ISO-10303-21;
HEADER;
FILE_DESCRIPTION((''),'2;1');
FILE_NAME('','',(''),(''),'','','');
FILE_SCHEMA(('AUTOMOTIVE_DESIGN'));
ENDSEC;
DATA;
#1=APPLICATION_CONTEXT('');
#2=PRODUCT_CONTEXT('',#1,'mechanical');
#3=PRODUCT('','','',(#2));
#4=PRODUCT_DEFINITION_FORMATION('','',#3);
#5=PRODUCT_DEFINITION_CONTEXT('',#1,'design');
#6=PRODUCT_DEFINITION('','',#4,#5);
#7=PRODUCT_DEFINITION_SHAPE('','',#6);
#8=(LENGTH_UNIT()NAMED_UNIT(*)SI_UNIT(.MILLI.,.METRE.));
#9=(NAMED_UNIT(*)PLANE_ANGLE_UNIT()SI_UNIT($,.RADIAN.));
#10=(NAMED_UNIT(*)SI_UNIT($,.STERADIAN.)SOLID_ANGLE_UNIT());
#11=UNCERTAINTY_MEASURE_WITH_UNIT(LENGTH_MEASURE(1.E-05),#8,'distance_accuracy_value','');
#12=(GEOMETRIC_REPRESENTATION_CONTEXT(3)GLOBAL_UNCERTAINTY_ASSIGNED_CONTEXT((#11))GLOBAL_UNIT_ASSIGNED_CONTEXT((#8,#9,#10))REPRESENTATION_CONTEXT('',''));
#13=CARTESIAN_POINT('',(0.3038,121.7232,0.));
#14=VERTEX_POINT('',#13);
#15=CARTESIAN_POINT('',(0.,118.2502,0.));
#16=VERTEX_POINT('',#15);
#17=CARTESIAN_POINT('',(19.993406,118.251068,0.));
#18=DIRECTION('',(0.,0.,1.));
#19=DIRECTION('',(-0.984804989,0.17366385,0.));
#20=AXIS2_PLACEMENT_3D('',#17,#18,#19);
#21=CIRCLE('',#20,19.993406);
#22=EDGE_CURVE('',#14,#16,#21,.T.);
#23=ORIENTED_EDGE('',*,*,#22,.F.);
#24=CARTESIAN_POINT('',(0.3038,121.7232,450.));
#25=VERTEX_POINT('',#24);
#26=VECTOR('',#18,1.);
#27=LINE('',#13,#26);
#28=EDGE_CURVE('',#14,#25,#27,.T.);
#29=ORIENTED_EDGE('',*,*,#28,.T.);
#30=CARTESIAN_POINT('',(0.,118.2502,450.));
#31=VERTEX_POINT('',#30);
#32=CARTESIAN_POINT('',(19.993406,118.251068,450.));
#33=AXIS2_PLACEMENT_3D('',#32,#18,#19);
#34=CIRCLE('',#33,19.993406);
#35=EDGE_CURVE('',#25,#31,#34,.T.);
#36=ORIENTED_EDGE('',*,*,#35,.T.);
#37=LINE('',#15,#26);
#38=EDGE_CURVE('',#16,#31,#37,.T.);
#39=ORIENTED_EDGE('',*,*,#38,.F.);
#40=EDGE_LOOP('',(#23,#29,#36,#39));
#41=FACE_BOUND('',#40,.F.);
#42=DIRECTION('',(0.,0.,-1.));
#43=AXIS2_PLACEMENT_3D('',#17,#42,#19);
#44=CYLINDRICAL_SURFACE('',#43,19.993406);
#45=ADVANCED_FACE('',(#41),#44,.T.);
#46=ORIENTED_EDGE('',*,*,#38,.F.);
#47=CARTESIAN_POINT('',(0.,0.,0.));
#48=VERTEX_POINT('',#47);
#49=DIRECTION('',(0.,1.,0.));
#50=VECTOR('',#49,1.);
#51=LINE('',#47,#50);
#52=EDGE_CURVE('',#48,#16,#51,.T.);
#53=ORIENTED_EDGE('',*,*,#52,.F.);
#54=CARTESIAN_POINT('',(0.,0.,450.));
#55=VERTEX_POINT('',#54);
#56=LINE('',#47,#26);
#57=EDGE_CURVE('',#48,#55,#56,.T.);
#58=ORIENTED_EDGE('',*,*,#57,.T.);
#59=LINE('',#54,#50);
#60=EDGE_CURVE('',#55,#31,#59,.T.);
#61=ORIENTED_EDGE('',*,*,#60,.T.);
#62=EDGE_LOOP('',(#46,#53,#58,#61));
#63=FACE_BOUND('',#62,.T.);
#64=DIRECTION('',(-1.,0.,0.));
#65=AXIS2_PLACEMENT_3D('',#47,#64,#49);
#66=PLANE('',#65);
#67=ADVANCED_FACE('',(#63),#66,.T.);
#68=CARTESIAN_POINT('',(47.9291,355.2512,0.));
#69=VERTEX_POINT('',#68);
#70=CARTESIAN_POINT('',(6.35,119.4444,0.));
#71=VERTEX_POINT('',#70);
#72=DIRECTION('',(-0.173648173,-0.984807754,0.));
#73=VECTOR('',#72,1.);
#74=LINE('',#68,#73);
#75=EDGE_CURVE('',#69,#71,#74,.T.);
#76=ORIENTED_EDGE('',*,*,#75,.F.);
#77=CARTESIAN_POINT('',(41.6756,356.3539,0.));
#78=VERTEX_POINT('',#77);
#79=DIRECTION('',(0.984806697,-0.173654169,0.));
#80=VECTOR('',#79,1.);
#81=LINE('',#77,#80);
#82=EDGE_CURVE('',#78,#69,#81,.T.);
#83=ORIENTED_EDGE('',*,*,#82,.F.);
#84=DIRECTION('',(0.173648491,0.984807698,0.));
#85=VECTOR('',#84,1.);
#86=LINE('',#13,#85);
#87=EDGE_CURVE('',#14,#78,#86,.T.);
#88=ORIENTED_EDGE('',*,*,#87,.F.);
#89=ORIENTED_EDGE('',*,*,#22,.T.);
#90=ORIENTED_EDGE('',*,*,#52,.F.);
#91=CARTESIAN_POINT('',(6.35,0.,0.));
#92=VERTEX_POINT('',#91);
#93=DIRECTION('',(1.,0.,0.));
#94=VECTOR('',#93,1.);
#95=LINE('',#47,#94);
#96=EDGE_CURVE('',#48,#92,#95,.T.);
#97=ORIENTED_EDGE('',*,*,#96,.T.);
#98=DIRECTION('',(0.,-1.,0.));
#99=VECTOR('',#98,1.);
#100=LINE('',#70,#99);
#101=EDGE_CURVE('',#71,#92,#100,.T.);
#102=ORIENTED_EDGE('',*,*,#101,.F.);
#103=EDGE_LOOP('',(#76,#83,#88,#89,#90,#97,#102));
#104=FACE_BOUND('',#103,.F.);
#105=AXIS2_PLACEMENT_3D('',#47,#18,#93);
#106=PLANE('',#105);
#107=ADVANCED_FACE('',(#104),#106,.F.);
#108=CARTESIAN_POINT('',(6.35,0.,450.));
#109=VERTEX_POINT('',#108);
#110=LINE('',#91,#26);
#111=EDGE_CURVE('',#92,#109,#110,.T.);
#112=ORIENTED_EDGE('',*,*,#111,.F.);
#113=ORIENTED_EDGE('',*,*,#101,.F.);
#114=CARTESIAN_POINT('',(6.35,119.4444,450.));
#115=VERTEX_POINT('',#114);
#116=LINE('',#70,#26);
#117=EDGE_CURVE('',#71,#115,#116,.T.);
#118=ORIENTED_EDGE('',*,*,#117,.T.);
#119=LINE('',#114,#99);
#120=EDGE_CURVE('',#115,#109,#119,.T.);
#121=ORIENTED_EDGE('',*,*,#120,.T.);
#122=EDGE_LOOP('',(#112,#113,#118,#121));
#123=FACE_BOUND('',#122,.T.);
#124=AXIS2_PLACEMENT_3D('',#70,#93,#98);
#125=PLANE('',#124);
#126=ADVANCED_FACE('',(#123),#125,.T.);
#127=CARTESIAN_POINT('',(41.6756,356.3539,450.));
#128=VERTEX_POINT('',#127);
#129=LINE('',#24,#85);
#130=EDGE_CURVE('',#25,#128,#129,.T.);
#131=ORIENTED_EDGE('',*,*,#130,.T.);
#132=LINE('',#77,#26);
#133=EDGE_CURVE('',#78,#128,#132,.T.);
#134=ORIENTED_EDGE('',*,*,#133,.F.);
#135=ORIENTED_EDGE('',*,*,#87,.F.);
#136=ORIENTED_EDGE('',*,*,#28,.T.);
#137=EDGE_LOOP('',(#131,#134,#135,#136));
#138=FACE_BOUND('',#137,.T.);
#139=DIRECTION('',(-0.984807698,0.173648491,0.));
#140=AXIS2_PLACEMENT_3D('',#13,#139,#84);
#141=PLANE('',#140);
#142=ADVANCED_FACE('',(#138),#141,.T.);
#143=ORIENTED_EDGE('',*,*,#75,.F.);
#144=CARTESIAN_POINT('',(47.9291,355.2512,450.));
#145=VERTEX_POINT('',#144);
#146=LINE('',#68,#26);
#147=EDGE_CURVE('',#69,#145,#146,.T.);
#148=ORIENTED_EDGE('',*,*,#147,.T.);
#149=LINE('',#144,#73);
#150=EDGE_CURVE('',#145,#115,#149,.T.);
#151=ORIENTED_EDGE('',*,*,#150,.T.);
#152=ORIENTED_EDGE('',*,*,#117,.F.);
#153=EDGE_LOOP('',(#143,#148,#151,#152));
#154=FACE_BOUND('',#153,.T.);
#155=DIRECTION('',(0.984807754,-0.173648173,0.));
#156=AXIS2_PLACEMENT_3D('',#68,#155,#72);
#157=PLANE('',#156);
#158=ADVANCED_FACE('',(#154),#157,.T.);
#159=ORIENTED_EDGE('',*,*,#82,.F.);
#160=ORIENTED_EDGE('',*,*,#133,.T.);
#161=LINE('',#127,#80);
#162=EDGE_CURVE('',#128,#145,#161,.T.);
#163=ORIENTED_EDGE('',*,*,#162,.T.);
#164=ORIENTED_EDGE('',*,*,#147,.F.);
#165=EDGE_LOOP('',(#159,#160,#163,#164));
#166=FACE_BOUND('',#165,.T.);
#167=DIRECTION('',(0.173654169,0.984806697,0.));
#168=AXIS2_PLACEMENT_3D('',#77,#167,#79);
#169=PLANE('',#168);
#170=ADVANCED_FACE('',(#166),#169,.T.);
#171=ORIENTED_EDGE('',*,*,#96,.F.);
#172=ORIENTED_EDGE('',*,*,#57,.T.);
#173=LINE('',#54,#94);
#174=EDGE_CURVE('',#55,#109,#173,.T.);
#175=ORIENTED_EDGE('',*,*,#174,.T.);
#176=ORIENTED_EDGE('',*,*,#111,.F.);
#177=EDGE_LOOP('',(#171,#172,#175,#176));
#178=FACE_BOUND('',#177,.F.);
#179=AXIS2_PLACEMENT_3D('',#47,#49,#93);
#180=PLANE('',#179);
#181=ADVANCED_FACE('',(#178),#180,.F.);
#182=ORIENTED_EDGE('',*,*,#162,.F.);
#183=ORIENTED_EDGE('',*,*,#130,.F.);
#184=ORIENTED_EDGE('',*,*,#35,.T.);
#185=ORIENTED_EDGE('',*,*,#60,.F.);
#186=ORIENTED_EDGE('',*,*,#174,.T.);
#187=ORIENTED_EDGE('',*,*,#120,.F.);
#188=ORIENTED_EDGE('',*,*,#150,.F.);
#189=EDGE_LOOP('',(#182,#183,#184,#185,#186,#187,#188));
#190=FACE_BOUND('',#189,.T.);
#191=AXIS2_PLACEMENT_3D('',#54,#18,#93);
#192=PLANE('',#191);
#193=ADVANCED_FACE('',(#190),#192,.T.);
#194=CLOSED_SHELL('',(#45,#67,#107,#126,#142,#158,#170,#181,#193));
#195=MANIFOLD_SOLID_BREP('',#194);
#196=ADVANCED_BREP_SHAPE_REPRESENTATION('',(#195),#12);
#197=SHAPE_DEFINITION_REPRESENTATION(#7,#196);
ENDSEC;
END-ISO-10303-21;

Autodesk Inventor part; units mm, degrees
ref_plane "YZ Plane" through (0, 0, 0) normal (1, 0, 0) x (0, 1, 0)
ref_plane "XZ Plane" through (0, 0, 0) normal (0, 1, 0) x (-1, 0, 0)
ref_plane "XY Plane" through (0, 0, 0) normal (0, 0, 1) x (1, 0, 0)
sketch "Sketch1" plane through (0, 0, 0) normal (0, 0, 1) x (1, 0, 0)
  line L0 (0, 0) -> (0, 118.2502)
  line L1 (0.3038, 121.7232) -> (41.6756, 356.3539)
  arc A0 (0.3038, 121.7232) -> (0, 118.2502) centre (20, 118.2502) ccw
  line L2 (47.9291, 355.2512) -> (6.35, 119.4444)
  line L3 (6.35, 119.4444) -> (6.35, 0)
  line L4 (41.6756, 356.3539) -> (47.9291, 355.2512)
  line L5 (0, 0) -> (6.35, 0)
  point P0 (0, 120)
  dimension "d0" = 170
  dimension "d1" = 120
  dimension "d2" = 240
  dimension "d3" = 20
  dimension "d4" = 6.35
extrude "Extrusion1" add sketch "Sketch1" along normal blind 450
properties part number "SteelBack"
